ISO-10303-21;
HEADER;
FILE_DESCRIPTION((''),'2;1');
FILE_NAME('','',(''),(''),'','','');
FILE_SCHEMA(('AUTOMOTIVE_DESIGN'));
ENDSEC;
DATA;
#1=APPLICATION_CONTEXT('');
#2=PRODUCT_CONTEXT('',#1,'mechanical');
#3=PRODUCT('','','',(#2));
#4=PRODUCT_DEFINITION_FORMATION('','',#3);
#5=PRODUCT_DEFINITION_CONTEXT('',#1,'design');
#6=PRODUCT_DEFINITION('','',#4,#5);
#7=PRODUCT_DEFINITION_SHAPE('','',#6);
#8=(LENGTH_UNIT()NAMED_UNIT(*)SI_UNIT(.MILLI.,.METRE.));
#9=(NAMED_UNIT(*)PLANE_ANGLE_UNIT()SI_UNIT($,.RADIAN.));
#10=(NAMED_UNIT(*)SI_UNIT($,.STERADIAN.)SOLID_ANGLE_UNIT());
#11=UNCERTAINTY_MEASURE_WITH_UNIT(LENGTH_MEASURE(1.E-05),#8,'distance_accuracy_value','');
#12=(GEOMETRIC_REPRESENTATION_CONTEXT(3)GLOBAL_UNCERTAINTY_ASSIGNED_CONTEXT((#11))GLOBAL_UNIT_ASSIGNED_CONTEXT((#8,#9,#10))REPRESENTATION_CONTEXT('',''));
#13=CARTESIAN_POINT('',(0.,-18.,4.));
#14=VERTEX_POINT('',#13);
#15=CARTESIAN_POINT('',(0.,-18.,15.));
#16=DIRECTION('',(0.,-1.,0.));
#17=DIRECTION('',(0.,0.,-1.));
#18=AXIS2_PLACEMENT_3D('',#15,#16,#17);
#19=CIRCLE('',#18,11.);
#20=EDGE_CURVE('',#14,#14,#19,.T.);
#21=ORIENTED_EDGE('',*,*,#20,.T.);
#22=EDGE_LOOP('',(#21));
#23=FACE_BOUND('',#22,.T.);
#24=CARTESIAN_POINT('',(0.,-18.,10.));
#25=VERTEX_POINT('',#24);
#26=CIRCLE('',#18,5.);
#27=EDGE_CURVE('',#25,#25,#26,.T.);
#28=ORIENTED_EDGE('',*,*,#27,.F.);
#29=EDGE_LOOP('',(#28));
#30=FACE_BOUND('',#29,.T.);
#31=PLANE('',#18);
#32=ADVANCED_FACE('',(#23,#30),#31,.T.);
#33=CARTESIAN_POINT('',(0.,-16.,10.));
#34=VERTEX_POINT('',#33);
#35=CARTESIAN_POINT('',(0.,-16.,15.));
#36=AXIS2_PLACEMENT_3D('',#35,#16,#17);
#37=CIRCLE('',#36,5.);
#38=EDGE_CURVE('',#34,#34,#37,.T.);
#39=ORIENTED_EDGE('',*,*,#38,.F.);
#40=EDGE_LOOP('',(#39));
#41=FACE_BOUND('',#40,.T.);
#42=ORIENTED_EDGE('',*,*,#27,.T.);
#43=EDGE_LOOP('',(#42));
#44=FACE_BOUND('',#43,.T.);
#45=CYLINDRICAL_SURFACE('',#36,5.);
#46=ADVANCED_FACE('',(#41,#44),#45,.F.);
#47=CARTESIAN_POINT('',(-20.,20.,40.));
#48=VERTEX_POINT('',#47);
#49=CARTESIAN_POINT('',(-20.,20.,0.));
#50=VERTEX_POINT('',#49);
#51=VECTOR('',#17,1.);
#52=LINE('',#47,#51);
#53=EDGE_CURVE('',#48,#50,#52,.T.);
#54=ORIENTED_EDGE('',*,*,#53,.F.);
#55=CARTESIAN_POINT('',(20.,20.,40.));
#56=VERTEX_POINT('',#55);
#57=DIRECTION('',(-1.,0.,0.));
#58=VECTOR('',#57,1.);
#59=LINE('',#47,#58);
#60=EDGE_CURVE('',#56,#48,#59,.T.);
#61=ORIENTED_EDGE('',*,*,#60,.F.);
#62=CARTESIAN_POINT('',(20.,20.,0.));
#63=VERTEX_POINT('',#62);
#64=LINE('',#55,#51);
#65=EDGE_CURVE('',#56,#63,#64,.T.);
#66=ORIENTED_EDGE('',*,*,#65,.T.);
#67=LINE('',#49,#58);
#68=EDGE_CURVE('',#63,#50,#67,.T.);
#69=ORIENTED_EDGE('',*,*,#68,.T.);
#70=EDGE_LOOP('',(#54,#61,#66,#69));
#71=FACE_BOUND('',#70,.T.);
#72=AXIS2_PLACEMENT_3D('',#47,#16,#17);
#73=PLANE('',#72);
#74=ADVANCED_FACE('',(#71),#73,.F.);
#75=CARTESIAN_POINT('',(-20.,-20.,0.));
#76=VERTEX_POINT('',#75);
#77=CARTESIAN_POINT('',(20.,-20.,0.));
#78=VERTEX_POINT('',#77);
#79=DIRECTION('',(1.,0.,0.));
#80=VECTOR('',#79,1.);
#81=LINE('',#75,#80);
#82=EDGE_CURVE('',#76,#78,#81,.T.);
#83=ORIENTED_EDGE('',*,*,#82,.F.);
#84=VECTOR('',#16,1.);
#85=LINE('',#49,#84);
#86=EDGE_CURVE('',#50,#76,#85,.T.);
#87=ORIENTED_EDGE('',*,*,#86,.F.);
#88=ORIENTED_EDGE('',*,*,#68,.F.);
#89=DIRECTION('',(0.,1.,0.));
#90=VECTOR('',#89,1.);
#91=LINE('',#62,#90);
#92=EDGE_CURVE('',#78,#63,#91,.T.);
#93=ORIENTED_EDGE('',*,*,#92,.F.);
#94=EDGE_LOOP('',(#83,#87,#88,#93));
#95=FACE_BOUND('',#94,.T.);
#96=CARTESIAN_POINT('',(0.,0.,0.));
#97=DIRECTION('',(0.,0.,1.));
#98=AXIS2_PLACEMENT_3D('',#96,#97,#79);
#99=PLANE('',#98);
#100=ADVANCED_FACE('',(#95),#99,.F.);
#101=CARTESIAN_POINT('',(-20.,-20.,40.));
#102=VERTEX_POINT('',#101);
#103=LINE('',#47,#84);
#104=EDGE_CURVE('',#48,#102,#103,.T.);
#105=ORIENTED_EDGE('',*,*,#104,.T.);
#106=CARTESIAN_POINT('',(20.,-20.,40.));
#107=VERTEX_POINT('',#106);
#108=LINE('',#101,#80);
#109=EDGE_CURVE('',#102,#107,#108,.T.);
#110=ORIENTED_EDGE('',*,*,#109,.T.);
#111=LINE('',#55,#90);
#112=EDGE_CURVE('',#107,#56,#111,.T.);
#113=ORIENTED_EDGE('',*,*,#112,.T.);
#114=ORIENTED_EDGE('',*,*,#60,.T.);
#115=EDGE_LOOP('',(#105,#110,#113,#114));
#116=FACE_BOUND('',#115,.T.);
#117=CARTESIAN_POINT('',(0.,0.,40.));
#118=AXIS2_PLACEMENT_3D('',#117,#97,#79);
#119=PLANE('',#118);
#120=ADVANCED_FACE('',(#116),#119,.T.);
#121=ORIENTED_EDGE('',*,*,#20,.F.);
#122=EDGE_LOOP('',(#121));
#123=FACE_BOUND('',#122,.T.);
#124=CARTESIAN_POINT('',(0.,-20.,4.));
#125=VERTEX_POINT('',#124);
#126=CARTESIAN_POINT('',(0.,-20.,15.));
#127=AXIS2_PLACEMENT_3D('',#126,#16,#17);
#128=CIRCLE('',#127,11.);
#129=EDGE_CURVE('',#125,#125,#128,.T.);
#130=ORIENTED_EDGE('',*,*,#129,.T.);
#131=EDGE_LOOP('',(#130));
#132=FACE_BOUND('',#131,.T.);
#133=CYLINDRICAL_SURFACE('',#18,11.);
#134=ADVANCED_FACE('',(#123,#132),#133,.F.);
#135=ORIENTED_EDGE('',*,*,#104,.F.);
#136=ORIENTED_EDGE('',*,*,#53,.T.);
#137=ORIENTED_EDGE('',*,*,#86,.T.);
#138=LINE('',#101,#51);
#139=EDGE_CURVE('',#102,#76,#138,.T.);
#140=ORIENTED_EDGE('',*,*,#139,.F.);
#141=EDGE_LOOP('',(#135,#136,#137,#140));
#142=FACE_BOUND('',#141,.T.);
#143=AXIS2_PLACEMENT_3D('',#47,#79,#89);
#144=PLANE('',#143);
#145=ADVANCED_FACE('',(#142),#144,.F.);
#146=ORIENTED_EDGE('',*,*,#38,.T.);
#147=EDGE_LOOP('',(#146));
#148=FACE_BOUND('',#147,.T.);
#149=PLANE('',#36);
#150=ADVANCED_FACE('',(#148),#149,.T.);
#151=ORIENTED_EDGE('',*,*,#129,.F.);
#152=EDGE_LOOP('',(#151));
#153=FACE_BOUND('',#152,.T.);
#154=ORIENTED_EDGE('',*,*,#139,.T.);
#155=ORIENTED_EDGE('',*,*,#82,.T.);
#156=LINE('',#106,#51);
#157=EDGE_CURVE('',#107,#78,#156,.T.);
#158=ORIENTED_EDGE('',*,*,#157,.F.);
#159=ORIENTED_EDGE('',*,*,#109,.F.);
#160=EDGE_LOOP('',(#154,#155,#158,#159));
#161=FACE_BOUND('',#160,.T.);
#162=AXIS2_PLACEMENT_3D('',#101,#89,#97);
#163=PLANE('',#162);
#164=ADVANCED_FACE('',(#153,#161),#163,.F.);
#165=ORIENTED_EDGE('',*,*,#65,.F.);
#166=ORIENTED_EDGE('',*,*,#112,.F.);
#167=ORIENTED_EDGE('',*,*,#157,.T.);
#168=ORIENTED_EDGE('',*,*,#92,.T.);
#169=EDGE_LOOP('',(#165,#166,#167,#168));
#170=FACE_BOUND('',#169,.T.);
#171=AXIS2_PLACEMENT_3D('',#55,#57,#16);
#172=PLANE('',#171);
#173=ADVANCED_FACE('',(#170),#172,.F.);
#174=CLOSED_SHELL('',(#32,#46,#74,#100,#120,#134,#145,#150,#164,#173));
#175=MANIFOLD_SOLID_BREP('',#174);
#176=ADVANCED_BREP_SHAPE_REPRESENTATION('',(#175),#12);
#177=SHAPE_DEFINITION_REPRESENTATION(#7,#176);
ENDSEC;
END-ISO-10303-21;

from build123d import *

# Parameters (mm, degrees)
SKETCH1_W           = 40
SKETCH1_H           = 40
BOSS_EXTRUDE1_DEPTH = 40
SKETCH2_R           = 11
CUT_EXTRUDE1_DEPTH  = 2
SKETCH3_R           = 5
CUT_EXTRUDE2_DEPTH  = 2


with BuildPart() as part:
    # Sketch1 → Boss-Extrude1 (new body)
    with BuildSketch(Plane.XY):
        Rectangle(SKETCH1_W, SKETCH1_H)
    extrude(amount=BOSS_EXTRUDE1_DEPTH)

    # Sketch2 → Cut-Extrude1 (cut)
    with BuildSketch(Plane.XZ.offset(20)):
        with Locations(Location((0, 15, 0), (0, 0, 270))):
            Circle(SKETCH2_R)
    extrude(amount=-CUT_EXTRUDE1_DEPTH, mode=Mode.SUBTRACT)

    # Sketch3 → Cut-Extrude2 (cut)
    with BuildSketch(Plane.XZ.offset(18)):
        with Locations(Location((0, 15, 0), (0, 0, 270))):
            Circle(SKETCH3_R)
    extrude(amount=-CUT_EXTRUDE2_DEPTH, mode=Mode.SUBTRACT)


solid = part.part
